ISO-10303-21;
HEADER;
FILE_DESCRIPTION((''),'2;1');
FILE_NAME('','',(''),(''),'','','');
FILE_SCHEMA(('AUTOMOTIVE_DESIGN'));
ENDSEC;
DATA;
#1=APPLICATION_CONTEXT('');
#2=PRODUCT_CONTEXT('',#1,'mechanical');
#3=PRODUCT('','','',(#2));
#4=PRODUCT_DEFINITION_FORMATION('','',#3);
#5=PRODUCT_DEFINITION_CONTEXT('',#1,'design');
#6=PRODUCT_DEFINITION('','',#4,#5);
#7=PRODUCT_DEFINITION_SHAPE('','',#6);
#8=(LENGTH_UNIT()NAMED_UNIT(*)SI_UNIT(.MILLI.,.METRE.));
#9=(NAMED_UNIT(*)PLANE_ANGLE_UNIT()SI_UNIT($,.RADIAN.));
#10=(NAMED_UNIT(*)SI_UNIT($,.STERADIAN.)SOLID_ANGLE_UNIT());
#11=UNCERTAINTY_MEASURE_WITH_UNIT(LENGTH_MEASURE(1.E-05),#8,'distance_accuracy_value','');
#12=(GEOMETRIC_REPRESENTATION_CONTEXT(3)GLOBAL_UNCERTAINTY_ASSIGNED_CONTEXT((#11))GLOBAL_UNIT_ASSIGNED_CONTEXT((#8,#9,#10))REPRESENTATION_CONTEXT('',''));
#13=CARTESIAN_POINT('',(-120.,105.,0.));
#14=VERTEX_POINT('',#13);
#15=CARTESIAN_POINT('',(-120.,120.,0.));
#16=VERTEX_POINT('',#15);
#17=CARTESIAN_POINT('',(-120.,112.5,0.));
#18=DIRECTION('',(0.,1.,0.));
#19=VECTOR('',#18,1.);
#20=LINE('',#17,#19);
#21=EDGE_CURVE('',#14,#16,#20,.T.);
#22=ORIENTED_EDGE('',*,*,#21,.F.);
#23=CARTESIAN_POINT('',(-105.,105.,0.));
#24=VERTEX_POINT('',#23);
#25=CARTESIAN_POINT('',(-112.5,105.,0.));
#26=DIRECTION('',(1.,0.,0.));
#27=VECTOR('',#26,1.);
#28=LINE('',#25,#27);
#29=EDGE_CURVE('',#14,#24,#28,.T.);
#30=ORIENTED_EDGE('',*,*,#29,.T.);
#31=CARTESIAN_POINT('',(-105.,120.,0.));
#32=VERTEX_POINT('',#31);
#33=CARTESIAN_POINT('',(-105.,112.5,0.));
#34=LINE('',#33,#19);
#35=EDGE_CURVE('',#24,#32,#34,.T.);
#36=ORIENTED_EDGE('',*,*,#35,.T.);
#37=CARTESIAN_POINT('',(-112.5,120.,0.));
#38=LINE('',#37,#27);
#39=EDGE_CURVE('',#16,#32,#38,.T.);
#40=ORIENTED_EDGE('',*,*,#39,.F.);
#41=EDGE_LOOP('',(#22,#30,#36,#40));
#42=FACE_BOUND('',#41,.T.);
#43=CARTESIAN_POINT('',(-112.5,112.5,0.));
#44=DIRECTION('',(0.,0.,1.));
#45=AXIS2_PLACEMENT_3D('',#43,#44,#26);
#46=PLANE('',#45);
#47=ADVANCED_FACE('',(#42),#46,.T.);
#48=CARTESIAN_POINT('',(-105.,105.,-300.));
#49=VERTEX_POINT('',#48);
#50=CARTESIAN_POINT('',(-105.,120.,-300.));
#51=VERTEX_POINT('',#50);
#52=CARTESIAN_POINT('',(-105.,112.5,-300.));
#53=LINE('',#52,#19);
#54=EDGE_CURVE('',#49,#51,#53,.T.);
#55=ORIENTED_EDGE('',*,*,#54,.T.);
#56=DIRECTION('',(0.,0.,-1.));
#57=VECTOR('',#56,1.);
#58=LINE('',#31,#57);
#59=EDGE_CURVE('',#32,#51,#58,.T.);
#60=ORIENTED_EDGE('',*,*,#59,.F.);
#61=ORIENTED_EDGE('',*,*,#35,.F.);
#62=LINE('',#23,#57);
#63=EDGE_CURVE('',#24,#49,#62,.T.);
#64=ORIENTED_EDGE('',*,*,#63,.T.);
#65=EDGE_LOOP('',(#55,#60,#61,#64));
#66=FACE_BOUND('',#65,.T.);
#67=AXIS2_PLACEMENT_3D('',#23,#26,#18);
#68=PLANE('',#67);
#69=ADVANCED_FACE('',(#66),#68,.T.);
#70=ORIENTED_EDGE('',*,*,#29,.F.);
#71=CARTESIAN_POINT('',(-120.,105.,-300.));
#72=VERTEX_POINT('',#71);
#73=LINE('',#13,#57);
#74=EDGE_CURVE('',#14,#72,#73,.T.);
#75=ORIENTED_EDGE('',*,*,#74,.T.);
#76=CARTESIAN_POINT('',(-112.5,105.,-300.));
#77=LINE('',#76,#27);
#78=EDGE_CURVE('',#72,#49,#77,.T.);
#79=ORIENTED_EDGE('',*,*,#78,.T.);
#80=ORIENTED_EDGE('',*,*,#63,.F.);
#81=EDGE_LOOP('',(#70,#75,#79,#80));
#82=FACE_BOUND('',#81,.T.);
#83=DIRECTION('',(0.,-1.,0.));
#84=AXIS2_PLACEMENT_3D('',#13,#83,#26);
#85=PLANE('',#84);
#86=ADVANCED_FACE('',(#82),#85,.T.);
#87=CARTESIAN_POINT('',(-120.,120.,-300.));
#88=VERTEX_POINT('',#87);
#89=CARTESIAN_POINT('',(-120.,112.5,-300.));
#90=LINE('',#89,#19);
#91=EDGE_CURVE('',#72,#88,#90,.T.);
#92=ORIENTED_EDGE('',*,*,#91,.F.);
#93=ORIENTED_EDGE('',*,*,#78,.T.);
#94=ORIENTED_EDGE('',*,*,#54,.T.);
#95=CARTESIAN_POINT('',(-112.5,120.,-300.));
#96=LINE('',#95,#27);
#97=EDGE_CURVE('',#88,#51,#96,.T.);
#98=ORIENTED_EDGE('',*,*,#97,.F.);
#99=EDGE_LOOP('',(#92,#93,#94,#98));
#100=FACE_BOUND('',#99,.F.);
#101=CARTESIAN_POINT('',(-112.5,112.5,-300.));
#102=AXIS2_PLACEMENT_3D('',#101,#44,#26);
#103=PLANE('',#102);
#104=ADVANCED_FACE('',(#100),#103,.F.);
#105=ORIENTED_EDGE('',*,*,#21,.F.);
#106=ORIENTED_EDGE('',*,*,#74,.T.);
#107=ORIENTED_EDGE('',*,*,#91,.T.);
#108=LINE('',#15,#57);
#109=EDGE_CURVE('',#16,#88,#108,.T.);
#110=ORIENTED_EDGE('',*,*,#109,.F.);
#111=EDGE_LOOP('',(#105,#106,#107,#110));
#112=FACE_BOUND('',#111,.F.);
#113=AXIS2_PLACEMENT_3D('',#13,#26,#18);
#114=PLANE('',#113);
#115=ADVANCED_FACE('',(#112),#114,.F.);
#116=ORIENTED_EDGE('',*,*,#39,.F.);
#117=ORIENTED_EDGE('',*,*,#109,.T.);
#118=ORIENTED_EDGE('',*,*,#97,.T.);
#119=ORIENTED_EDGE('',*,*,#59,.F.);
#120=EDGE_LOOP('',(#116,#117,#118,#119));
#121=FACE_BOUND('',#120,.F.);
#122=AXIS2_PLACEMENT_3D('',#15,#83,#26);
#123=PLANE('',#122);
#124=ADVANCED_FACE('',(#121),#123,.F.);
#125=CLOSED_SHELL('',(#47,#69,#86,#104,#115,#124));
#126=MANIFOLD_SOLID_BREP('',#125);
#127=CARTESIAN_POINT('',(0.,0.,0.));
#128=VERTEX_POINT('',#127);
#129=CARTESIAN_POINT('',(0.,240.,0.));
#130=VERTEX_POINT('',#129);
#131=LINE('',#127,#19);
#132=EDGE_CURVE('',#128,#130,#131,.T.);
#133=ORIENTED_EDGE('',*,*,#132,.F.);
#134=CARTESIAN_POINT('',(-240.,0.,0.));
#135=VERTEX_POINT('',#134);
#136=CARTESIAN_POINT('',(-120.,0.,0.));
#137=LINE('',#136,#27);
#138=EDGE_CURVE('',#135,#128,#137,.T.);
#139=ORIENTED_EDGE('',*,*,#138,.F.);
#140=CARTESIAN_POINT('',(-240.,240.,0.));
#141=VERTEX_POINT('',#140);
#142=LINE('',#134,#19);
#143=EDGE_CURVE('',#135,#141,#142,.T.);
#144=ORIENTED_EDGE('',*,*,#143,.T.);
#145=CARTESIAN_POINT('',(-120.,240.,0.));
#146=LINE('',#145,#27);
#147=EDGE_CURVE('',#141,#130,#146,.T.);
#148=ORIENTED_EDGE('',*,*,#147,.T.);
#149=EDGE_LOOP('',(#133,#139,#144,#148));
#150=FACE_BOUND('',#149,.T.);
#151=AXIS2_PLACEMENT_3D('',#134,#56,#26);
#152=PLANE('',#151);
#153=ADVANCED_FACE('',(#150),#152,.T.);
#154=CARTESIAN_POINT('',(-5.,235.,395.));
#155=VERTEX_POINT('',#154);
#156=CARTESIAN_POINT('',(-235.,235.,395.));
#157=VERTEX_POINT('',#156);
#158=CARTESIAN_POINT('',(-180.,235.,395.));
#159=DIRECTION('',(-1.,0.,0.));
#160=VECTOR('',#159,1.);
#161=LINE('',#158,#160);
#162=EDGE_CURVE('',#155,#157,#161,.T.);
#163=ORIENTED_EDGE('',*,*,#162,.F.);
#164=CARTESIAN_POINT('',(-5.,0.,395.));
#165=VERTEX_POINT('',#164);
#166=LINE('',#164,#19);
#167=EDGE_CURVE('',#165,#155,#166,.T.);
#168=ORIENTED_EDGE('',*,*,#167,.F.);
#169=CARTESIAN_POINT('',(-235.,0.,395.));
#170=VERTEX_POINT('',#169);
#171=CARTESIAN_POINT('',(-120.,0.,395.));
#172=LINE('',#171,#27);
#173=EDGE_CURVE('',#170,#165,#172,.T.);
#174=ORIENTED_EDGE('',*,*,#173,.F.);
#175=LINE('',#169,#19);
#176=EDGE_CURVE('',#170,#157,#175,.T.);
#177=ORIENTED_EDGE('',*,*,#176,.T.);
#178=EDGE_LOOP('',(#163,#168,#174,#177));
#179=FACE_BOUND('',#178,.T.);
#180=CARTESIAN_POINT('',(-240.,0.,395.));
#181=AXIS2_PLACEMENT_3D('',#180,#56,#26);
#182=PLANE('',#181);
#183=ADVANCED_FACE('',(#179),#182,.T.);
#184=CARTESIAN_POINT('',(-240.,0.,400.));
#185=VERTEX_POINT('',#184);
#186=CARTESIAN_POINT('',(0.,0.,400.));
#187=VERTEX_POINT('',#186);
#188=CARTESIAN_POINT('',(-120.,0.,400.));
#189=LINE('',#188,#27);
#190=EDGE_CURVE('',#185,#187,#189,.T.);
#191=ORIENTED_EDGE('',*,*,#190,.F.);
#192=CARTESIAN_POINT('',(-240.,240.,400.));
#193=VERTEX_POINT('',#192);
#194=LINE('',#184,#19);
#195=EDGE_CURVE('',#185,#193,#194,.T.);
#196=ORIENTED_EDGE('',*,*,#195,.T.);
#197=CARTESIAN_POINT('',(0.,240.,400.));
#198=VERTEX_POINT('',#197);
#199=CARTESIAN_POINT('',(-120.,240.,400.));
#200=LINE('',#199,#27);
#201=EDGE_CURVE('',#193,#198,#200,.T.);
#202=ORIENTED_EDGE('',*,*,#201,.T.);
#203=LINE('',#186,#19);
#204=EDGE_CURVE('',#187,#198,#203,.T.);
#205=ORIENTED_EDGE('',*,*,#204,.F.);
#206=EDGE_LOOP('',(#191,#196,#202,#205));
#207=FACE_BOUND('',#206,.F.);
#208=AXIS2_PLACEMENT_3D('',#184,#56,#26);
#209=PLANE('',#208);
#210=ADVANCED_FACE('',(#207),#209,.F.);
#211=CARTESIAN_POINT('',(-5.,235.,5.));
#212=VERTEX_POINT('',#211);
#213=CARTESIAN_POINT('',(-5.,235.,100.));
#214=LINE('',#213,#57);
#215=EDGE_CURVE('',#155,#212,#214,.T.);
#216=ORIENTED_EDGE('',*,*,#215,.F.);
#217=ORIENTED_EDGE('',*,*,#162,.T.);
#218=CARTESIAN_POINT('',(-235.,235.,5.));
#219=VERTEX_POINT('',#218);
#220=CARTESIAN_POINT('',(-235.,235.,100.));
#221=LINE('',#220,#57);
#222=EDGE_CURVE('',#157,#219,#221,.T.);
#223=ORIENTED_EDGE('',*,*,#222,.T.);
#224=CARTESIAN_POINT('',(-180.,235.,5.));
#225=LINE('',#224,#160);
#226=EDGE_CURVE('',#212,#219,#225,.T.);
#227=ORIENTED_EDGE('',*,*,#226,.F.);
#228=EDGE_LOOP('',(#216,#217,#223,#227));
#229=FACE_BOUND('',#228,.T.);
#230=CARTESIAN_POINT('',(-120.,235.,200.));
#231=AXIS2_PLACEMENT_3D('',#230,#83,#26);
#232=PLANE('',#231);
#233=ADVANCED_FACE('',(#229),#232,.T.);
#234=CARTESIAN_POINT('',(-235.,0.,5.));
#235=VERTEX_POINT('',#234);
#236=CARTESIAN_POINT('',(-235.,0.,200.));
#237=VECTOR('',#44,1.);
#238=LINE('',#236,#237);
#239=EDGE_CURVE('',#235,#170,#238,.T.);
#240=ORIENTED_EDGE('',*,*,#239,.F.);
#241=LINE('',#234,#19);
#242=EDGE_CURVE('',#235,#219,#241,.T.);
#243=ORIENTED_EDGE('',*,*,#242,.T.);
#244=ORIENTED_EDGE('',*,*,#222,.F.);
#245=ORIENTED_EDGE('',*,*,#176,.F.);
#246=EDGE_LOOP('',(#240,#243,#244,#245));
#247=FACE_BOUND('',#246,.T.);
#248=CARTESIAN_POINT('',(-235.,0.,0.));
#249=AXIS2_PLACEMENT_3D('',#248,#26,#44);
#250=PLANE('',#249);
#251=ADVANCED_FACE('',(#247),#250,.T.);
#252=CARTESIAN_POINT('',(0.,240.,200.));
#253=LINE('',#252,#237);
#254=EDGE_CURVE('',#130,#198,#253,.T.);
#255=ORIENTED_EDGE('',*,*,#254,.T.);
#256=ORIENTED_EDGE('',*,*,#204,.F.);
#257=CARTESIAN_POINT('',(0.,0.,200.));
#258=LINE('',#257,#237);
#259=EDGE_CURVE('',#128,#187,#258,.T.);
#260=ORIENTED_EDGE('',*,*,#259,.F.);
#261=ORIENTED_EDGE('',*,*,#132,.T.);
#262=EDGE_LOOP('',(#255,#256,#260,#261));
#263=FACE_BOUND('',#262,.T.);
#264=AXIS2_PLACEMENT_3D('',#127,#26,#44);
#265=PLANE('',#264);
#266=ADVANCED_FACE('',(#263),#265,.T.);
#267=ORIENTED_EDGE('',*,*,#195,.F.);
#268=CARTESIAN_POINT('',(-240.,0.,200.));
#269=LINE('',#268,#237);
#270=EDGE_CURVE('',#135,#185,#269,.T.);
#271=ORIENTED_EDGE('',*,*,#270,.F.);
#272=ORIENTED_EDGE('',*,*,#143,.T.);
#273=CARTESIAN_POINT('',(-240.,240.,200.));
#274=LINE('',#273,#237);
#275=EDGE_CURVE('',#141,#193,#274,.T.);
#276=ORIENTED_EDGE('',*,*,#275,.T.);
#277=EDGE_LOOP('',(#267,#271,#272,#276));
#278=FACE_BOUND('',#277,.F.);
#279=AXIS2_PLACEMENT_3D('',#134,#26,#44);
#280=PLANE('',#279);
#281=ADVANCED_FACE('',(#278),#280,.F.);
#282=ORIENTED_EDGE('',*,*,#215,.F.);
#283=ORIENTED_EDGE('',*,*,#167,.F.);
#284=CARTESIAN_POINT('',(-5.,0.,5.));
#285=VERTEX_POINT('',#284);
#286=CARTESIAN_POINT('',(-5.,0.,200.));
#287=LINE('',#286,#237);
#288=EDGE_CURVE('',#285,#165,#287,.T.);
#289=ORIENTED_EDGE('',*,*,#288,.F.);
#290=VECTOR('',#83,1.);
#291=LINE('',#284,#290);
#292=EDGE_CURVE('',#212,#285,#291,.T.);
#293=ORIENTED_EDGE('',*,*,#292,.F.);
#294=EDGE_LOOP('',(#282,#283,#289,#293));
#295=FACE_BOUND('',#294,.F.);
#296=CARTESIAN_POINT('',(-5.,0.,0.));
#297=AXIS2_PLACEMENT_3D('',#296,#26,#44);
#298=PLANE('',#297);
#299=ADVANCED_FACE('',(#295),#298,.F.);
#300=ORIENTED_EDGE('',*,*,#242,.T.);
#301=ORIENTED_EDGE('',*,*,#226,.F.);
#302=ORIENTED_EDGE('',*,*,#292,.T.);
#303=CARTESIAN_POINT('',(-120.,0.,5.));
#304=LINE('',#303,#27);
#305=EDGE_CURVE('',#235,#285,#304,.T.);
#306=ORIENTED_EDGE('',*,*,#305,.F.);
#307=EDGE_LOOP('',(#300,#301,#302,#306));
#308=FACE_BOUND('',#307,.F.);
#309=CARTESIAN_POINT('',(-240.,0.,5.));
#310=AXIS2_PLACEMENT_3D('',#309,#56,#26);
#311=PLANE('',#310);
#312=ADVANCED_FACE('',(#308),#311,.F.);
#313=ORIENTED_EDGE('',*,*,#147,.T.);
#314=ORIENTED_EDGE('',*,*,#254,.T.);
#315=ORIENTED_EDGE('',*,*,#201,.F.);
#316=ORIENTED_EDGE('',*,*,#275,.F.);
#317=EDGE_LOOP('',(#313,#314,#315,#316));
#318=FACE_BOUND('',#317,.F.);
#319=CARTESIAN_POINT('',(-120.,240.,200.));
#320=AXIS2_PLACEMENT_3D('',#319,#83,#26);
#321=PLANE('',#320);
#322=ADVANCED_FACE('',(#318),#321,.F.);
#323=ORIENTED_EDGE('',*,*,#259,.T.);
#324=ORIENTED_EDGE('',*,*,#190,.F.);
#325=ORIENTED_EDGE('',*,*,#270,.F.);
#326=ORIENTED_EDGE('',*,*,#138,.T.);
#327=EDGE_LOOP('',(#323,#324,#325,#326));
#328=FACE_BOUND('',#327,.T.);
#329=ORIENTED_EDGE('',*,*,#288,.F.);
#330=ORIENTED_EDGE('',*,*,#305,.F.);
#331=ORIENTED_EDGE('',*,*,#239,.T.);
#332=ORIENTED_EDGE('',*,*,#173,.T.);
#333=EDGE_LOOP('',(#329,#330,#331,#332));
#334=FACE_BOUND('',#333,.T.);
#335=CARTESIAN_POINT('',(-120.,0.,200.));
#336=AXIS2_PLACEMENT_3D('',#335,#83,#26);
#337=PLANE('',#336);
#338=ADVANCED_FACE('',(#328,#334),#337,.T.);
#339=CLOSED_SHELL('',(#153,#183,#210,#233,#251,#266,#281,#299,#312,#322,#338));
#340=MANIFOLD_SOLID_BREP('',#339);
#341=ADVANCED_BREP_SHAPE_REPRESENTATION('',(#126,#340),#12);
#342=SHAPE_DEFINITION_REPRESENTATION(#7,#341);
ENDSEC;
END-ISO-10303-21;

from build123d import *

# Parameters (mm, degrees)
F0_W     = 240
F0_H     = 400
F1_DEPTH = 240
F2_T     = -5
F3_W     = 15
F3_H     = 15
F4_DEPTH = 300


with BuildPart() as f1:
    # F0 (on Front) → F1 (new body)
    with BuildSketch(Plane.XZ):
        with Locations((-120, 200)):
            Rectangle(F0_W, F0_H)
    extrude(amount=-F1_DEPTH)

    # F2
    f2_openings = [f1.faces().sort_by_distance(p)[0] for p in [
        (-120, 0, 200),
    ]]
    offset(amount=F2_T, openings=f2_openings)


with BuildPart() as f4:
    # F3 (on Top) → F4 (new body)
    with BuildSketch(Plane.XY):
        with Locations((-112.5, 112.5)):
            Rectangle(F3_W, F3_H)
    extrude(amount=-F4_DEPTH)


solid = Compound([f1.part, f4.part])
